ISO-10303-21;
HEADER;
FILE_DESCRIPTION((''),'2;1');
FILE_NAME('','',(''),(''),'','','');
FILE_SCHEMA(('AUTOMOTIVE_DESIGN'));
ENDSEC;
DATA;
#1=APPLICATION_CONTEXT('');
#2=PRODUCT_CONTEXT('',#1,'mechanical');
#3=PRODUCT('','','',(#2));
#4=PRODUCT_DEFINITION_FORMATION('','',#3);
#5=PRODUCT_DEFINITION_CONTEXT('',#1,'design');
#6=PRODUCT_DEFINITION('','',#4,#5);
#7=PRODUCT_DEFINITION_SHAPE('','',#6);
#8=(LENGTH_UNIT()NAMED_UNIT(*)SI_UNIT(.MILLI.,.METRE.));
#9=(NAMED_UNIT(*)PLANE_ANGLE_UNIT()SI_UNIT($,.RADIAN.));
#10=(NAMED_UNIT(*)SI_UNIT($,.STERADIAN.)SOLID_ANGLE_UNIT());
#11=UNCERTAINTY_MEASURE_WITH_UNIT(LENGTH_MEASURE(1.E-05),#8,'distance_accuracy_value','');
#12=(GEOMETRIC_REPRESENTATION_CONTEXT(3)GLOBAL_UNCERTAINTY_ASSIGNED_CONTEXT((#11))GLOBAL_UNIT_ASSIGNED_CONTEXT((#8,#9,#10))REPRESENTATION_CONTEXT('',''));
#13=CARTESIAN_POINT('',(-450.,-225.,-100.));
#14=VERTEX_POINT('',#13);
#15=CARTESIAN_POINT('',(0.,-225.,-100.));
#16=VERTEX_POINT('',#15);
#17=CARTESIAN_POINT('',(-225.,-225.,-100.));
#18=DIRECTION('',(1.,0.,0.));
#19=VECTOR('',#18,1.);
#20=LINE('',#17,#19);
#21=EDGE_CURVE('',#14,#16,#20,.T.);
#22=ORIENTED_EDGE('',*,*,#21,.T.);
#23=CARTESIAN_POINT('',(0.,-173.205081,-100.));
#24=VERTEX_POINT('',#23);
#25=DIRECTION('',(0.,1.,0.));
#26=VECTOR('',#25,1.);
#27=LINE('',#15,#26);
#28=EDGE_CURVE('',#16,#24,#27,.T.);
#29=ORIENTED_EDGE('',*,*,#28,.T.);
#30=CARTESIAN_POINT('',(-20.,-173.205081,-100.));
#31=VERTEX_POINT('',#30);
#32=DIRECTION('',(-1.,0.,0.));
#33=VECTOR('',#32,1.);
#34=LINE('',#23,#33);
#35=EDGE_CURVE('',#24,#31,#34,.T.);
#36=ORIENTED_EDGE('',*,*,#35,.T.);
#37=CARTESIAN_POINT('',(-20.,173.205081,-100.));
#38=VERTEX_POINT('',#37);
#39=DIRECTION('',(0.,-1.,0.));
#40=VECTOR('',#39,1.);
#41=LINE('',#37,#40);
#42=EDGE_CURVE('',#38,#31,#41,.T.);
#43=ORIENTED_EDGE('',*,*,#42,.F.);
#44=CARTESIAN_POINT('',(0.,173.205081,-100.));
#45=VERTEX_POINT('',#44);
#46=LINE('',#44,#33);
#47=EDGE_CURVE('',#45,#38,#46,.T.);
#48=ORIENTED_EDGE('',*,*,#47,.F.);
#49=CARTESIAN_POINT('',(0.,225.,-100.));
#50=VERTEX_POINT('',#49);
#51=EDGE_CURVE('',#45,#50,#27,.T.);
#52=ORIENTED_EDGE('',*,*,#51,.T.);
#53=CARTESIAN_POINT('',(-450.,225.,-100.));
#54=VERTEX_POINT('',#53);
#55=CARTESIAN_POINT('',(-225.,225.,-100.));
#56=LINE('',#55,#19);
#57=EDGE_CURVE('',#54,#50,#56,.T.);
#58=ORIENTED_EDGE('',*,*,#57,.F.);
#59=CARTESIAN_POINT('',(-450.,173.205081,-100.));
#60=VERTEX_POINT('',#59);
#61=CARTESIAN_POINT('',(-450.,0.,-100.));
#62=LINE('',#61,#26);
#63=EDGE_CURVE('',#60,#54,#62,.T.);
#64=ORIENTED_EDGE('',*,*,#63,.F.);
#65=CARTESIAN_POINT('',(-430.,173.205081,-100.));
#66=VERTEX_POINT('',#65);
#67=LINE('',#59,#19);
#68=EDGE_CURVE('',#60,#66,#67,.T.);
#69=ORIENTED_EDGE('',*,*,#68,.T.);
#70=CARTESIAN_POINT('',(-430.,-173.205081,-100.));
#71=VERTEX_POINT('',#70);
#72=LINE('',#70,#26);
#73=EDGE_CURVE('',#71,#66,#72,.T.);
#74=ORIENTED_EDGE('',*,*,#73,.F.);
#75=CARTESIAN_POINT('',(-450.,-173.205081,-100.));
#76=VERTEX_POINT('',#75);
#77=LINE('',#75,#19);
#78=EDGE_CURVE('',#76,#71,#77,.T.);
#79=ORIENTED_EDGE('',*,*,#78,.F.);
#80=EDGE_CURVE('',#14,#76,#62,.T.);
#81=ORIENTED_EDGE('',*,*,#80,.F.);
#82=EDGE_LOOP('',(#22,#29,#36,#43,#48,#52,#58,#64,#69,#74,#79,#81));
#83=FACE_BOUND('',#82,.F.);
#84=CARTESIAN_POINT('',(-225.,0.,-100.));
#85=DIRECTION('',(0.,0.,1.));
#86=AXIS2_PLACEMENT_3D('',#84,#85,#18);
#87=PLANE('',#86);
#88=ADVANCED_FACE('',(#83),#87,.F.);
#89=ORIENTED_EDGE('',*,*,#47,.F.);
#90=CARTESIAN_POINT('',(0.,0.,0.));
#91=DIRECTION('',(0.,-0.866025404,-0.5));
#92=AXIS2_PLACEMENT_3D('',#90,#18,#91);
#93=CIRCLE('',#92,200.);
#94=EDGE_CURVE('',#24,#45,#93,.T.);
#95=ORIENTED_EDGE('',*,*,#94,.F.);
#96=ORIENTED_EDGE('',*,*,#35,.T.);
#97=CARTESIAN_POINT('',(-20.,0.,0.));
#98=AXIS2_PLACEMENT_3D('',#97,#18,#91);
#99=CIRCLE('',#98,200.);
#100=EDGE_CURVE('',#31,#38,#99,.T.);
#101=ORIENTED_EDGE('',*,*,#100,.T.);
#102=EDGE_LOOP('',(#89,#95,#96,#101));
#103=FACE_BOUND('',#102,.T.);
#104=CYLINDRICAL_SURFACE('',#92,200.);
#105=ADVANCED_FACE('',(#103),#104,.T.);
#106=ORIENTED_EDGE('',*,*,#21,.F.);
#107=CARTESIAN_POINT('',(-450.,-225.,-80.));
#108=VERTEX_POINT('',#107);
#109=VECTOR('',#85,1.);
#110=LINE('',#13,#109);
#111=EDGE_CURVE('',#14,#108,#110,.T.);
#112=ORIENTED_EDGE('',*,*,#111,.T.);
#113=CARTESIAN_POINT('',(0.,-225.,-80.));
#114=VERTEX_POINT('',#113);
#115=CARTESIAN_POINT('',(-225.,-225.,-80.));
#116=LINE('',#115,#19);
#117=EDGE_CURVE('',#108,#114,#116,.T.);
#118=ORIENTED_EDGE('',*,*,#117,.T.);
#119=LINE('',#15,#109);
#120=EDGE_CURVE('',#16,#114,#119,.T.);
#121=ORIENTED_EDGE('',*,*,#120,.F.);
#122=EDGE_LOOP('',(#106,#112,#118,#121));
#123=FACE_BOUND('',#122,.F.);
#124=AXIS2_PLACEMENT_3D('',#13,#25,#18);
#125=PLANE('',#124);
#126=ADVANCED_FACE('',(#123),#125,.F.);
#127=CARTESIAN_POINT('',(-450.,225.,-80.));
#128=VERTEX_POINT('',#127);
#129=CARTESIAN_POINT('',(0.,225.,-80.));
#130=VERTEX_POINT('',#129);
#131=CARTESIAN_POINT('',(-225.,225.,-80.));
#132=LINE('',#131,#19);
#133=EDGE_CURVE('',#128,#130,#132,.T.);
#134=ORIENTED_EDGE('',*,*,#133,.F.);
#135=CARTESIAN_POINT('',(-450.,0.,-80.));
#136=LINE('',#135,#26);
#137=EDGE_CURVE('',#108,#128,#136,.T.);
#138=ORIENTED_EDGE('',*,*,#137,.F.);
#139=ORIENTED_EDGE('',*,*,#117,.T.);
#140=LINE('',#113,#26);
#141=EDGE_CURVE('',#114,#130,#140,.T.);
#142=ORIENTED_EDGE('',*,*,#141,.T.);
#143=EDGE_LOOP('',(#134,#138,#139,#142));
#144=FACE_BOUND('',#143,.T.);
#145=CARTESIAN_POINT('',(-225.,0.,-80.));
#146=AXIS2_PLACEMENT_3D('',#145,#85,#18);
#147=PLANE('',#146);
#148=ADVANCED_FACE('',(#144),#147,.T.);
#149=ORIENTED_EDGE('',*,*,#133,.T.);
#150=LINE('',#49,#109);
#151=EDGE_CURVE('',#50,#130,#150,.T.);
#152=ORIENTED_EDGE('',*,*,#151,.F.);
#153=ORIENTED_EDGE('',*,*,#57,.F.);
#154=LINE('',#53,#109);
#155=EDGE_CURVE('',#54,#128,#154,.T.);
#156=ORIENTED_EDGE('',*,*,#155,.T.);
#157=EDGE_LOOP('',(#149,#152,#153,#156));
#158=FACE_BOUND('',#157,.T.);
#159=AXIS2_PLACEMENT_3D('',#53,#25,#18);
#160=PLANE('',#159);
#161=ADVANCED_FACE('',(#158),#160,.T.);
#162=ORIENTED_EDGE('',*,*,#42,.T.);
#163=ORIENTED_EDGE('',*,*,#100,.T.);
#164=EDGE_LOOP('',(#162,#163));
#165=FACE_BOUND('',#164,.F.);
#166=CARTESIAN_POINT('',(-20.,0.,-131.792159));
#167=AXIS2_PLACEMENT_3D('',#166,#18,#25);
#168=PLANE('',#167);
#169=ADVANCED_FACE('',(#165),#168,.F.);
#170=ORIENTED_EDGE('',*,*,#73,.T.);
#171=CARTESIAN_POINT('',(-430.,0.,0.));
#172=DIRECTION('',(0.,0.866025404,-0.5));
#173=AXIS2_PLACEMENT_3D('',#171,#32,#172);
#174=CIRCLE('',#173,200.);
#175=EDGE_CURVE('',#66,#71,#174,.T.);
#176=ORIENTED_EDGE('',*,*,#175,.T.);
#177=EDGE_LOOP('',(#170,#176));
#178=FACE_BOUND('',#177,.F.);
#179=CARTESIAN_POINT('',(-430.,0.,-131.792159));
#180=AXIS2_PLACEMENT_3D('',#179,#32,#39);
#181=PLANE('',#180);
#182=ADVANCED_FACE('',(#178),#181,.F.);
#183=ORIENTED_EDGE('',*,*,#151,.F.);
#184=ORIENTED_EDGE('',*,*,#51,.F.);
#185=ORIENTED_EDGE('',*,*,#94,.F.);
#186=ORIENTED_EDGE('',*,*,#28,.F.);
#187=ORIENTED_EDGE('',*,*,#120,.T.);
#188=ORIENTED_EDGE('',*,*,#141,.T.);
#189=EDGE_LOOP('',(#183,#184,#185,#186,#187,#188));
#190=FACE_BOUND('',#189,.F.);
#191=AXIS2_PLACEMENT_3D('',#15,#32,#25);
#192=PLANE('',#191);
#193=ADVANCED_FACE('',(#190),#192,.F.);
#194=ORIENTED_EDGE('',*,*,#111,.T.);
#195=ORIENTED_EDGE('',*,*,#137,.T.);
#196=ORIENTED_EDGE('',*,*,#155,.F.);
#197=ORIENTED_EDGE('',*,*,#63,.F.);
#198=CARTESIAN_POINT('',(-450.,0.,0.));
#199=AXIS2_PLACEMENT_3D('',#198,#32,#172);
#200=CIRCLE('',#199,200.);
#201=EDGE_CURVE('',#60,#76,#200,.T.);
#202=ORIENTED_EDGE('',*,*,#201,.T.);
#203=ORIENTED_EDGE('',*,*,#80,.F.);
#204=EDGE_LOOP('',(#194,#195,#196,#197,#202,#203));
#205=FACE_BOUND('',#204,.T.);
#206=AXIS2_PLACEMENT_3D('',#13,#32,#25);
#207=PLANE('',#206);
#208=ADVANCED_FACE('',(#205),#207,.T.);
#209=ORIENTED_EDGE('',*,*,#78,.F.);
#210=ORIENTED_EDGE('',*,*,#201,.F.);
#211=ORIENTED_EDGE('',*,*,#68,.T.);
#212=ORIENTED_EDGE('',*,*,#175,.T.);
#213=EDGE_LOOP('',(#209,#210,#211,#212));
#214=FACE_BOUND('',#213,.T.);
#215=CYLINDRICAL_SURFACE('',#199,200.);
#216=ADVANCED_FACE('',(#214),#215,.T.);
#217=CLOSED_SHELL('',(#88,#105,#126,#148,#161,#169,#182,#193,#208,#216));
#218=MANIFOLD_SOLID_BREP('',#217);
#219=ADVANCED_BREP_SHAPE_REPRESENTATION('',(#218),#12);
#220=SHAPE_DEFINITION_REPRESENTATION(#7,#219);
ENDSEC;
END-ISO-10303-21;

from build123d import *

# Parameters (mm, degrees)
F1_DEPTH = 20
F2_W     = 450
F2_H     = 450
F3_DEPTH = 20
F5_DEPTH = 20


with BuildPart() as f1:
    # F0 (on Right) → F1 (new body)
    with BuildSketch(Plane.YZ):
        with BuildLine():
            Line((173.2050807569, -100), (-173.2050807569, -100))
            ThreePointArc((-173.2050807569, -100), (0, -200), (173.2050807569, -100))
        make_face()
    extrude(amount=-F1_DEPTH)

    # F2 (on face) → F3 (join)
    with BuildSketch(Plane.XY.offset(-100)):
        with Locations((-225, 0)):
            Rectangle(F2_W, F2_H)
        Polygon((0, 225), (-450, 225), (-450, -225), (0, -225), (0, -173.2050807569), (-20, -173.2050807569), (-20, 173.2050807569), (0, 173.2050807569), align=None)
    extrude(amount=F3_DEPTH)

    # F4 (on face) → F5 (join)
    with BuildSketch(Plane(origin=(-450, 0, 0), x_dir=(0, -1, 0), z_dir=(-1, 0, 0))):
        with BuildLine():
            Line((173.2050807569, -100), (-173.2050807569, -100))
            ThreePointArc((-173.2050807569, -100), (0, -200), (173.2050807569, -100))
        make_face()
    extrude(amount=-F5_DEPTH)


solid = f1.part
